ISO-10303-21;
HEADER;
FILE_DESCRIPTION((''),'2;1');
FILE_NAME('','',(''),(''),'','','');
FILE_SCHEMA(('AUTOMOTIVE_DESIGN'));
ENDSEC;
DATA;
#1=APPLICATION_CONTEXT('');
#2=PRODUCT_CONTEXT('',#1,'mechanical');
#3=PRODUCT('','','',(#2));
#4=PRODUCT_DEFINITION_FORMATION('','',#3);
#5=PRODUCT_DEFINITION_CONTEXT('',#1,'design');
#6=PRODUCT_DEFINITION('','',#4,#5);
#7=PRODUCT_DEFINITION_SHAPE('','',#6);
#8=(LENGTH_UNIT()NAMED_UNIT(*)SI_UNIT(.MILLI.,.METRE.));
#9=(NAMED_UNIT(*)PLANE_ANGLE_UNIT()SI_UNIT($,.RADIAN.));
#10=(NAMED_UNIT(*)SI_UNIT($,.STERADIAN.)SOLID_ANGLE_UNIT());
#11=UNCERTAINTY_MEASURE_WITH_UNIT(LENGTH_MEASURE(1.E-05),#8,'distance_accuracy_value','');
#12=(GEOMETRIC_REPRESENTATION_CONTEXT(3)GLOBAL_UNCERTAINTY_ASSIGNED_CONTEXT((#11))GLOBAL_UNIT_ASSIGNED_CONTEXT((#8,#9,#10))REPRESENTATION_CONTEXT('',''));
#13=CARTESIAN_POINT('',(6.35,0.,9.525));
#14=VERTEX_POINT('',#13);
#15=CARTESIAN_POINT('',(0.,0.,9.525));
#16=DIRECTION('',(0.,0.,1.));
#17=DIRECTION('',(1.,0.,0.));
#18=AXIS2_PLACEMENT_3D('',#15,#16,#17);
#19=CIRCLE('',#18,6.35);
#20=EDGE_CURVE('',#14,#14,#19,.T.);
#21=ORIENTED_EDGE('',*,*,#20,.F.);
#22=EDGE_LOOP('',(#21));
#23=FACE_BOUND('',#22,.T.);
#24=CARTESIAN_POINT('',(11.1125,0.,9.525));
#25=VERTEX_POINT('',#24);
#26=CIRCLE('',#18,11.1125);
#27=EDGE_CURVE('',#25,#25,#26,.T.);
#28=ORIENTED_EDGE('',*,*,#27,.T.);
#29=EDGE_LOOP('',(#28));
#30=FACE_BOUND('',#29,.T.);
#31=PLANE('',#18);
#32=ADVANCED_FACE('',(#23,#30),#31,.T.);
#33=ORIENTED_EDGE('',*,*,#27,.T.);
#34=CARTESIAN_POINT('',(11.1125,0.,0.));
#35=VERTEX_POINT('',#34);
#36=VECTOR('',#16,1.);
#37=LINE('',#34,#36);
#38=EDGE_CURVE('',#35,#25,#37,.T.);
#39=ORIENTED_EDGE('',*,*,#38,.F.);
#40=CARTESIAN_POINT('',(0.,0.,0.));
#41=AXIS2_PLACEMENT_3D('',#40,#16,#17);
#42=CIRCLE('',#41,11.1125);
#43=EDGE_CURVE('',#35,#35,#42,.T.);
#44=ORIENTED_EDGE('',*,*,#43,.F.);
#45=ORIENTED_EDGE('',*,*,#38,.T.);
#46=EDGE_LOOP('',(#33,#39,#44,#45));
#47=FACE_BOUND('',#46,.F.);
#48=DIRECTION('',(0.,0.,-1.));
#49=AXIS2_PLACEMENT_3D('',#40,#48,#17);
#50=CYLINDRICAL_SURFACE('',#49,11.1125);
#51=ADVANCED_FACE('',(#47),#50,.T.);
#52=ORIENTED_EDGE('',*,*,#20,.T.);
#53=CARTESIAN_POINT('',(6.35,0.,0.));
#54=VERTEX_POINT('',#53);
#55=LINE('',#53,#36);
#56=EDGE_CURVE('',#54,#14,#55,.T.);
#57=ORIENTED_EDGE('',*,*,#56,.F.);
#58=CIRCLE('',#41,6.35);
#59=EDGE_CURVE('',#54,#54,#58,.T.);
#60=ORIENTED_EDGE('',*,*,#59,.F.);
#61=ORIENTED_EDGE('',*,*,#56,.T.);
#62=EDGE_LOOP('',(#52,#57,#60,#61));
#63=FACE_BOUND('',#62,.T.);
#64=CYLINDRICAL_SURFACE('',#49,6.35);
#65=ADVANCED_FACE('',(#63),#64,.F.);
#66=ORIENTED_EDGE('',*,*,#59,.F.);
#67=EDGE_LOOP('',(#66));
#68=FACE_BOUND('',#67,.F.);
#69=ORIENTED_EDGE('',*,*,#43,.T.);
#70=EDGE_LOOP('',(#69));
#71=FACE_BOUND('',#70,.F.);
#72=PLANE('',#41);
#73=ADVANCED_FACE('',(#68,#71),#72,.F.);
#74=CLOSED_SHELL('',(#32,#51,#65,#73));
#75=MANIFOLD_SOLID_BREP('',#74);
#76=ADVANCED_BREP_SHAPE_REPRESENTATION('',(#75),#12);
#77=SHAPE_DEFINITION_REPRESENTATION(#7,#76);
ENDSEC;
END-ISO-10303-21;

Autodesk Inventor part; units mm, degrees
ref_plane "YZ Plane" through (0, 0, 0) normal (1, 0, 0) x (0, 1, 0)
ref_plane "XZ Plane" through (0, 0, 0) normal (0, 1, 0) x (-1, 0, 0)
ref_plane "XY Plane" through (0, 0, 0) normal (0, 0, 1) x (1, 0, 0)
sketch "Sketch1" plane through (0, 0, 0) normal (0, 0, 1) x (1, 0, 0)
  circle A0 centre (0, 0) radius 6.35
  circle A1 centre (0, 0) radius 11.1125
  dimension "d0" = 12.7
  dimension "d1" = 22.225
extrude "Extrusion1" add sketch "Sketch1" along normal blind 9.525
properties part number "ShaftCollarReserviorPistonRod"
